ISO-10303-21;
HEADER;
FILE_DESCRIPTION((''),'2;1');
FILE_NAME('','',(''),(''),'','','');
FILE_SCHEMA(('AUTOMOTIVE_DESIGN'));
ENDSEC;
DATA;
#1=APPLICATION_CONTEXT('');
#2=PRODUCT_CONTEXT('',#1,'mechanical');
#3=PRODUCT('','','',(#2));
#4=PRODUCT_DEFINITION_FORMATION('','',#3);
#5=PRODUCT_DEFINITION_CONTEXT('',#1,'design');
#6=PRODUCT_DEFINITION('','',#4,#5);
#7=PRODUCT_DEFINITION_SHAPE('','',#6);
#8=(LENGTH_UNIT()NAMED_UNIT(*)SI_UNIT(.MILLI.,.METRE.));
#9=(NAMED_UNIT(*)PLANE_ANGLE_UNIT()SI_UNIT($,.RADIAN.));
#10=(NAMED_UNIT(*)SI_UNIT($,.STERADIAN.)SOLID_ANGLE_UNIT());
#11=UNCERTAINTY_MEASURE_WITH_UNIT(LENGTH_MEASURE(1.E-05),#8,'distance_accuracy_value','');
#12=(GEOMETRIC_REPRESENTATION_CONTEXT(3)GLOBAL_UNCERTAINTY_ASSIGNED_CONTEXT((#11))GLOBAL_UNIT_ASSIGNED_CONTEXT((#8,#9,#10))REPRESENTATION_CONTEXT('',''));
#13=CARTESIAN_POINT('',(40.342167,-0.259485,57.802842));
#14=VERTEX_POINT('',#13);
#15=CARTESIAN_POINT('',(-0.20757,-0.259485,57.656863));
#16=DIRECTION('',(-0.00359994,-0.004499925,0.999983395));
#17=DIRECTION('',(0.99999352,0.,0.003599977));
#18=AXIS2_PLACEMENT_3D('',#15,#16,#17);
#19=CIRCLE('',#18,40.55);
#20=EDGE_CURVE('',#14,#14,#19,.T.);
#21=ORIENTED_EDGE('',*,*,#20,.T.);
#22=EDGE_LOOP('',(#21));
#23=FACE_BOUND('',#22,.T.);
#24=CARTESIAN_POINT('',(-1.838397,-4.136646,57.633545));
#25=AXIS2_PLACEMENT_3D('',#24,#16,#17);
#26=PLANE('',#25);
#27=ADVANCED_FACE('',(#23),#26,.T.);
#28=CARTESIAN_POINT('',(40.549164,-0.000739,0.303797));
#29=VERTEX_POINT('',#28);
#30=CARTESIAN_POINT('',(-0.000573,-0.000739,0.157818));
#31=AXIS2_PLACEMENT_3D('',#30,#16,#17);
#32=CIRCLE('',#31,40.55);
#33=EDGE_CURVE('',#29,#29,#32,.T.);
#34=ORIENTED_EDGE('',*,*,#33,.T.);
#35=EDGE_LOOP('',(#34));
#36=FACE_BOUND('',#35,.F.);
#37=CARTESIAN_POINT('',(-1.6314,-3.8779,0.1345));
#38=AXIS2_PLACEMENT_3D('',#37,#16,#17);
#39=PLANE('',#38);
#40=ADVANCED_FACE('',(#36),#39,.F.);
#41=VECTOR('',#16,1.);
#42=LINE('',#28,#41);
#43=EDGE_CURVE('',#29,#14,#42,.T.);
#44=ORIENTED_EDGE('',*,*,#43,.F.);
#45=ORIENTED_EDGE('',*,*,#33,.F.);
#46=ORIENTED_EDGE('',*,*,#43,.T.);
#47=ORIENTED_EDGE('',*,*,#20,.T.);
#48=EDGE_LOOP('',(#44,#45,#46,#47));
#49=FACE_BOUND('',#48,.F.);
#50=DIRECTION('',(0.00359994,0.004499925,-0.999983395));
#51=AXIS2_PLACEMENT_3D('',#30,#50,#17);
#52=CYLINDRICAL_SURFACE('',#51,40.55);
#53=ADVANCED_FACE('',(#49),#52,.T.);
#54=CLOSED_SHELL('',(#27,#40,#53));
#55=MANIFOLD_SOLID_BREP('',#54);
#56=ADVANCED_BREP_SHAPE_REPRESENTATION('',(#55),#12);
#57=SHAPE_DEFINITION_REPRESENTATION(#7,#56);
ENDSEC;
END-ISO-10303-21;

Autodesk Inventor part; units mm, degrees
ref_plane "YZ Plane" through (0, 0, 0) normal (1, 0, 0) x (0, 1, 0)
ref_plane "XZ Plane" through (0, 0, 0) normal (0, 1, 0) x (-1, 0, 0)
ref_plane "XY Plane" through (0, 0, 0) normal (0, 0, 1) x (1, 0, 0)
ref_plane "Work Plane1" through (-1.6314, -3.8779, 0.1345) normal (-0.0036, -0.0045, 1) x (1, 0, 0.0036)
sketch "Sketch1" plane through (-1.6314, -3.8779, 0.1345) normal (-0.0036, -0.0045, 1) x (1, 0, 0.0036)
  circle A0 centre (1.6309, 3.8772) radius 40.55
  dimension "d0" = 81.1
extrude "Extrusion1" add sketch "Sketch1" along normal blind 57.5
properties part number "Motor"
